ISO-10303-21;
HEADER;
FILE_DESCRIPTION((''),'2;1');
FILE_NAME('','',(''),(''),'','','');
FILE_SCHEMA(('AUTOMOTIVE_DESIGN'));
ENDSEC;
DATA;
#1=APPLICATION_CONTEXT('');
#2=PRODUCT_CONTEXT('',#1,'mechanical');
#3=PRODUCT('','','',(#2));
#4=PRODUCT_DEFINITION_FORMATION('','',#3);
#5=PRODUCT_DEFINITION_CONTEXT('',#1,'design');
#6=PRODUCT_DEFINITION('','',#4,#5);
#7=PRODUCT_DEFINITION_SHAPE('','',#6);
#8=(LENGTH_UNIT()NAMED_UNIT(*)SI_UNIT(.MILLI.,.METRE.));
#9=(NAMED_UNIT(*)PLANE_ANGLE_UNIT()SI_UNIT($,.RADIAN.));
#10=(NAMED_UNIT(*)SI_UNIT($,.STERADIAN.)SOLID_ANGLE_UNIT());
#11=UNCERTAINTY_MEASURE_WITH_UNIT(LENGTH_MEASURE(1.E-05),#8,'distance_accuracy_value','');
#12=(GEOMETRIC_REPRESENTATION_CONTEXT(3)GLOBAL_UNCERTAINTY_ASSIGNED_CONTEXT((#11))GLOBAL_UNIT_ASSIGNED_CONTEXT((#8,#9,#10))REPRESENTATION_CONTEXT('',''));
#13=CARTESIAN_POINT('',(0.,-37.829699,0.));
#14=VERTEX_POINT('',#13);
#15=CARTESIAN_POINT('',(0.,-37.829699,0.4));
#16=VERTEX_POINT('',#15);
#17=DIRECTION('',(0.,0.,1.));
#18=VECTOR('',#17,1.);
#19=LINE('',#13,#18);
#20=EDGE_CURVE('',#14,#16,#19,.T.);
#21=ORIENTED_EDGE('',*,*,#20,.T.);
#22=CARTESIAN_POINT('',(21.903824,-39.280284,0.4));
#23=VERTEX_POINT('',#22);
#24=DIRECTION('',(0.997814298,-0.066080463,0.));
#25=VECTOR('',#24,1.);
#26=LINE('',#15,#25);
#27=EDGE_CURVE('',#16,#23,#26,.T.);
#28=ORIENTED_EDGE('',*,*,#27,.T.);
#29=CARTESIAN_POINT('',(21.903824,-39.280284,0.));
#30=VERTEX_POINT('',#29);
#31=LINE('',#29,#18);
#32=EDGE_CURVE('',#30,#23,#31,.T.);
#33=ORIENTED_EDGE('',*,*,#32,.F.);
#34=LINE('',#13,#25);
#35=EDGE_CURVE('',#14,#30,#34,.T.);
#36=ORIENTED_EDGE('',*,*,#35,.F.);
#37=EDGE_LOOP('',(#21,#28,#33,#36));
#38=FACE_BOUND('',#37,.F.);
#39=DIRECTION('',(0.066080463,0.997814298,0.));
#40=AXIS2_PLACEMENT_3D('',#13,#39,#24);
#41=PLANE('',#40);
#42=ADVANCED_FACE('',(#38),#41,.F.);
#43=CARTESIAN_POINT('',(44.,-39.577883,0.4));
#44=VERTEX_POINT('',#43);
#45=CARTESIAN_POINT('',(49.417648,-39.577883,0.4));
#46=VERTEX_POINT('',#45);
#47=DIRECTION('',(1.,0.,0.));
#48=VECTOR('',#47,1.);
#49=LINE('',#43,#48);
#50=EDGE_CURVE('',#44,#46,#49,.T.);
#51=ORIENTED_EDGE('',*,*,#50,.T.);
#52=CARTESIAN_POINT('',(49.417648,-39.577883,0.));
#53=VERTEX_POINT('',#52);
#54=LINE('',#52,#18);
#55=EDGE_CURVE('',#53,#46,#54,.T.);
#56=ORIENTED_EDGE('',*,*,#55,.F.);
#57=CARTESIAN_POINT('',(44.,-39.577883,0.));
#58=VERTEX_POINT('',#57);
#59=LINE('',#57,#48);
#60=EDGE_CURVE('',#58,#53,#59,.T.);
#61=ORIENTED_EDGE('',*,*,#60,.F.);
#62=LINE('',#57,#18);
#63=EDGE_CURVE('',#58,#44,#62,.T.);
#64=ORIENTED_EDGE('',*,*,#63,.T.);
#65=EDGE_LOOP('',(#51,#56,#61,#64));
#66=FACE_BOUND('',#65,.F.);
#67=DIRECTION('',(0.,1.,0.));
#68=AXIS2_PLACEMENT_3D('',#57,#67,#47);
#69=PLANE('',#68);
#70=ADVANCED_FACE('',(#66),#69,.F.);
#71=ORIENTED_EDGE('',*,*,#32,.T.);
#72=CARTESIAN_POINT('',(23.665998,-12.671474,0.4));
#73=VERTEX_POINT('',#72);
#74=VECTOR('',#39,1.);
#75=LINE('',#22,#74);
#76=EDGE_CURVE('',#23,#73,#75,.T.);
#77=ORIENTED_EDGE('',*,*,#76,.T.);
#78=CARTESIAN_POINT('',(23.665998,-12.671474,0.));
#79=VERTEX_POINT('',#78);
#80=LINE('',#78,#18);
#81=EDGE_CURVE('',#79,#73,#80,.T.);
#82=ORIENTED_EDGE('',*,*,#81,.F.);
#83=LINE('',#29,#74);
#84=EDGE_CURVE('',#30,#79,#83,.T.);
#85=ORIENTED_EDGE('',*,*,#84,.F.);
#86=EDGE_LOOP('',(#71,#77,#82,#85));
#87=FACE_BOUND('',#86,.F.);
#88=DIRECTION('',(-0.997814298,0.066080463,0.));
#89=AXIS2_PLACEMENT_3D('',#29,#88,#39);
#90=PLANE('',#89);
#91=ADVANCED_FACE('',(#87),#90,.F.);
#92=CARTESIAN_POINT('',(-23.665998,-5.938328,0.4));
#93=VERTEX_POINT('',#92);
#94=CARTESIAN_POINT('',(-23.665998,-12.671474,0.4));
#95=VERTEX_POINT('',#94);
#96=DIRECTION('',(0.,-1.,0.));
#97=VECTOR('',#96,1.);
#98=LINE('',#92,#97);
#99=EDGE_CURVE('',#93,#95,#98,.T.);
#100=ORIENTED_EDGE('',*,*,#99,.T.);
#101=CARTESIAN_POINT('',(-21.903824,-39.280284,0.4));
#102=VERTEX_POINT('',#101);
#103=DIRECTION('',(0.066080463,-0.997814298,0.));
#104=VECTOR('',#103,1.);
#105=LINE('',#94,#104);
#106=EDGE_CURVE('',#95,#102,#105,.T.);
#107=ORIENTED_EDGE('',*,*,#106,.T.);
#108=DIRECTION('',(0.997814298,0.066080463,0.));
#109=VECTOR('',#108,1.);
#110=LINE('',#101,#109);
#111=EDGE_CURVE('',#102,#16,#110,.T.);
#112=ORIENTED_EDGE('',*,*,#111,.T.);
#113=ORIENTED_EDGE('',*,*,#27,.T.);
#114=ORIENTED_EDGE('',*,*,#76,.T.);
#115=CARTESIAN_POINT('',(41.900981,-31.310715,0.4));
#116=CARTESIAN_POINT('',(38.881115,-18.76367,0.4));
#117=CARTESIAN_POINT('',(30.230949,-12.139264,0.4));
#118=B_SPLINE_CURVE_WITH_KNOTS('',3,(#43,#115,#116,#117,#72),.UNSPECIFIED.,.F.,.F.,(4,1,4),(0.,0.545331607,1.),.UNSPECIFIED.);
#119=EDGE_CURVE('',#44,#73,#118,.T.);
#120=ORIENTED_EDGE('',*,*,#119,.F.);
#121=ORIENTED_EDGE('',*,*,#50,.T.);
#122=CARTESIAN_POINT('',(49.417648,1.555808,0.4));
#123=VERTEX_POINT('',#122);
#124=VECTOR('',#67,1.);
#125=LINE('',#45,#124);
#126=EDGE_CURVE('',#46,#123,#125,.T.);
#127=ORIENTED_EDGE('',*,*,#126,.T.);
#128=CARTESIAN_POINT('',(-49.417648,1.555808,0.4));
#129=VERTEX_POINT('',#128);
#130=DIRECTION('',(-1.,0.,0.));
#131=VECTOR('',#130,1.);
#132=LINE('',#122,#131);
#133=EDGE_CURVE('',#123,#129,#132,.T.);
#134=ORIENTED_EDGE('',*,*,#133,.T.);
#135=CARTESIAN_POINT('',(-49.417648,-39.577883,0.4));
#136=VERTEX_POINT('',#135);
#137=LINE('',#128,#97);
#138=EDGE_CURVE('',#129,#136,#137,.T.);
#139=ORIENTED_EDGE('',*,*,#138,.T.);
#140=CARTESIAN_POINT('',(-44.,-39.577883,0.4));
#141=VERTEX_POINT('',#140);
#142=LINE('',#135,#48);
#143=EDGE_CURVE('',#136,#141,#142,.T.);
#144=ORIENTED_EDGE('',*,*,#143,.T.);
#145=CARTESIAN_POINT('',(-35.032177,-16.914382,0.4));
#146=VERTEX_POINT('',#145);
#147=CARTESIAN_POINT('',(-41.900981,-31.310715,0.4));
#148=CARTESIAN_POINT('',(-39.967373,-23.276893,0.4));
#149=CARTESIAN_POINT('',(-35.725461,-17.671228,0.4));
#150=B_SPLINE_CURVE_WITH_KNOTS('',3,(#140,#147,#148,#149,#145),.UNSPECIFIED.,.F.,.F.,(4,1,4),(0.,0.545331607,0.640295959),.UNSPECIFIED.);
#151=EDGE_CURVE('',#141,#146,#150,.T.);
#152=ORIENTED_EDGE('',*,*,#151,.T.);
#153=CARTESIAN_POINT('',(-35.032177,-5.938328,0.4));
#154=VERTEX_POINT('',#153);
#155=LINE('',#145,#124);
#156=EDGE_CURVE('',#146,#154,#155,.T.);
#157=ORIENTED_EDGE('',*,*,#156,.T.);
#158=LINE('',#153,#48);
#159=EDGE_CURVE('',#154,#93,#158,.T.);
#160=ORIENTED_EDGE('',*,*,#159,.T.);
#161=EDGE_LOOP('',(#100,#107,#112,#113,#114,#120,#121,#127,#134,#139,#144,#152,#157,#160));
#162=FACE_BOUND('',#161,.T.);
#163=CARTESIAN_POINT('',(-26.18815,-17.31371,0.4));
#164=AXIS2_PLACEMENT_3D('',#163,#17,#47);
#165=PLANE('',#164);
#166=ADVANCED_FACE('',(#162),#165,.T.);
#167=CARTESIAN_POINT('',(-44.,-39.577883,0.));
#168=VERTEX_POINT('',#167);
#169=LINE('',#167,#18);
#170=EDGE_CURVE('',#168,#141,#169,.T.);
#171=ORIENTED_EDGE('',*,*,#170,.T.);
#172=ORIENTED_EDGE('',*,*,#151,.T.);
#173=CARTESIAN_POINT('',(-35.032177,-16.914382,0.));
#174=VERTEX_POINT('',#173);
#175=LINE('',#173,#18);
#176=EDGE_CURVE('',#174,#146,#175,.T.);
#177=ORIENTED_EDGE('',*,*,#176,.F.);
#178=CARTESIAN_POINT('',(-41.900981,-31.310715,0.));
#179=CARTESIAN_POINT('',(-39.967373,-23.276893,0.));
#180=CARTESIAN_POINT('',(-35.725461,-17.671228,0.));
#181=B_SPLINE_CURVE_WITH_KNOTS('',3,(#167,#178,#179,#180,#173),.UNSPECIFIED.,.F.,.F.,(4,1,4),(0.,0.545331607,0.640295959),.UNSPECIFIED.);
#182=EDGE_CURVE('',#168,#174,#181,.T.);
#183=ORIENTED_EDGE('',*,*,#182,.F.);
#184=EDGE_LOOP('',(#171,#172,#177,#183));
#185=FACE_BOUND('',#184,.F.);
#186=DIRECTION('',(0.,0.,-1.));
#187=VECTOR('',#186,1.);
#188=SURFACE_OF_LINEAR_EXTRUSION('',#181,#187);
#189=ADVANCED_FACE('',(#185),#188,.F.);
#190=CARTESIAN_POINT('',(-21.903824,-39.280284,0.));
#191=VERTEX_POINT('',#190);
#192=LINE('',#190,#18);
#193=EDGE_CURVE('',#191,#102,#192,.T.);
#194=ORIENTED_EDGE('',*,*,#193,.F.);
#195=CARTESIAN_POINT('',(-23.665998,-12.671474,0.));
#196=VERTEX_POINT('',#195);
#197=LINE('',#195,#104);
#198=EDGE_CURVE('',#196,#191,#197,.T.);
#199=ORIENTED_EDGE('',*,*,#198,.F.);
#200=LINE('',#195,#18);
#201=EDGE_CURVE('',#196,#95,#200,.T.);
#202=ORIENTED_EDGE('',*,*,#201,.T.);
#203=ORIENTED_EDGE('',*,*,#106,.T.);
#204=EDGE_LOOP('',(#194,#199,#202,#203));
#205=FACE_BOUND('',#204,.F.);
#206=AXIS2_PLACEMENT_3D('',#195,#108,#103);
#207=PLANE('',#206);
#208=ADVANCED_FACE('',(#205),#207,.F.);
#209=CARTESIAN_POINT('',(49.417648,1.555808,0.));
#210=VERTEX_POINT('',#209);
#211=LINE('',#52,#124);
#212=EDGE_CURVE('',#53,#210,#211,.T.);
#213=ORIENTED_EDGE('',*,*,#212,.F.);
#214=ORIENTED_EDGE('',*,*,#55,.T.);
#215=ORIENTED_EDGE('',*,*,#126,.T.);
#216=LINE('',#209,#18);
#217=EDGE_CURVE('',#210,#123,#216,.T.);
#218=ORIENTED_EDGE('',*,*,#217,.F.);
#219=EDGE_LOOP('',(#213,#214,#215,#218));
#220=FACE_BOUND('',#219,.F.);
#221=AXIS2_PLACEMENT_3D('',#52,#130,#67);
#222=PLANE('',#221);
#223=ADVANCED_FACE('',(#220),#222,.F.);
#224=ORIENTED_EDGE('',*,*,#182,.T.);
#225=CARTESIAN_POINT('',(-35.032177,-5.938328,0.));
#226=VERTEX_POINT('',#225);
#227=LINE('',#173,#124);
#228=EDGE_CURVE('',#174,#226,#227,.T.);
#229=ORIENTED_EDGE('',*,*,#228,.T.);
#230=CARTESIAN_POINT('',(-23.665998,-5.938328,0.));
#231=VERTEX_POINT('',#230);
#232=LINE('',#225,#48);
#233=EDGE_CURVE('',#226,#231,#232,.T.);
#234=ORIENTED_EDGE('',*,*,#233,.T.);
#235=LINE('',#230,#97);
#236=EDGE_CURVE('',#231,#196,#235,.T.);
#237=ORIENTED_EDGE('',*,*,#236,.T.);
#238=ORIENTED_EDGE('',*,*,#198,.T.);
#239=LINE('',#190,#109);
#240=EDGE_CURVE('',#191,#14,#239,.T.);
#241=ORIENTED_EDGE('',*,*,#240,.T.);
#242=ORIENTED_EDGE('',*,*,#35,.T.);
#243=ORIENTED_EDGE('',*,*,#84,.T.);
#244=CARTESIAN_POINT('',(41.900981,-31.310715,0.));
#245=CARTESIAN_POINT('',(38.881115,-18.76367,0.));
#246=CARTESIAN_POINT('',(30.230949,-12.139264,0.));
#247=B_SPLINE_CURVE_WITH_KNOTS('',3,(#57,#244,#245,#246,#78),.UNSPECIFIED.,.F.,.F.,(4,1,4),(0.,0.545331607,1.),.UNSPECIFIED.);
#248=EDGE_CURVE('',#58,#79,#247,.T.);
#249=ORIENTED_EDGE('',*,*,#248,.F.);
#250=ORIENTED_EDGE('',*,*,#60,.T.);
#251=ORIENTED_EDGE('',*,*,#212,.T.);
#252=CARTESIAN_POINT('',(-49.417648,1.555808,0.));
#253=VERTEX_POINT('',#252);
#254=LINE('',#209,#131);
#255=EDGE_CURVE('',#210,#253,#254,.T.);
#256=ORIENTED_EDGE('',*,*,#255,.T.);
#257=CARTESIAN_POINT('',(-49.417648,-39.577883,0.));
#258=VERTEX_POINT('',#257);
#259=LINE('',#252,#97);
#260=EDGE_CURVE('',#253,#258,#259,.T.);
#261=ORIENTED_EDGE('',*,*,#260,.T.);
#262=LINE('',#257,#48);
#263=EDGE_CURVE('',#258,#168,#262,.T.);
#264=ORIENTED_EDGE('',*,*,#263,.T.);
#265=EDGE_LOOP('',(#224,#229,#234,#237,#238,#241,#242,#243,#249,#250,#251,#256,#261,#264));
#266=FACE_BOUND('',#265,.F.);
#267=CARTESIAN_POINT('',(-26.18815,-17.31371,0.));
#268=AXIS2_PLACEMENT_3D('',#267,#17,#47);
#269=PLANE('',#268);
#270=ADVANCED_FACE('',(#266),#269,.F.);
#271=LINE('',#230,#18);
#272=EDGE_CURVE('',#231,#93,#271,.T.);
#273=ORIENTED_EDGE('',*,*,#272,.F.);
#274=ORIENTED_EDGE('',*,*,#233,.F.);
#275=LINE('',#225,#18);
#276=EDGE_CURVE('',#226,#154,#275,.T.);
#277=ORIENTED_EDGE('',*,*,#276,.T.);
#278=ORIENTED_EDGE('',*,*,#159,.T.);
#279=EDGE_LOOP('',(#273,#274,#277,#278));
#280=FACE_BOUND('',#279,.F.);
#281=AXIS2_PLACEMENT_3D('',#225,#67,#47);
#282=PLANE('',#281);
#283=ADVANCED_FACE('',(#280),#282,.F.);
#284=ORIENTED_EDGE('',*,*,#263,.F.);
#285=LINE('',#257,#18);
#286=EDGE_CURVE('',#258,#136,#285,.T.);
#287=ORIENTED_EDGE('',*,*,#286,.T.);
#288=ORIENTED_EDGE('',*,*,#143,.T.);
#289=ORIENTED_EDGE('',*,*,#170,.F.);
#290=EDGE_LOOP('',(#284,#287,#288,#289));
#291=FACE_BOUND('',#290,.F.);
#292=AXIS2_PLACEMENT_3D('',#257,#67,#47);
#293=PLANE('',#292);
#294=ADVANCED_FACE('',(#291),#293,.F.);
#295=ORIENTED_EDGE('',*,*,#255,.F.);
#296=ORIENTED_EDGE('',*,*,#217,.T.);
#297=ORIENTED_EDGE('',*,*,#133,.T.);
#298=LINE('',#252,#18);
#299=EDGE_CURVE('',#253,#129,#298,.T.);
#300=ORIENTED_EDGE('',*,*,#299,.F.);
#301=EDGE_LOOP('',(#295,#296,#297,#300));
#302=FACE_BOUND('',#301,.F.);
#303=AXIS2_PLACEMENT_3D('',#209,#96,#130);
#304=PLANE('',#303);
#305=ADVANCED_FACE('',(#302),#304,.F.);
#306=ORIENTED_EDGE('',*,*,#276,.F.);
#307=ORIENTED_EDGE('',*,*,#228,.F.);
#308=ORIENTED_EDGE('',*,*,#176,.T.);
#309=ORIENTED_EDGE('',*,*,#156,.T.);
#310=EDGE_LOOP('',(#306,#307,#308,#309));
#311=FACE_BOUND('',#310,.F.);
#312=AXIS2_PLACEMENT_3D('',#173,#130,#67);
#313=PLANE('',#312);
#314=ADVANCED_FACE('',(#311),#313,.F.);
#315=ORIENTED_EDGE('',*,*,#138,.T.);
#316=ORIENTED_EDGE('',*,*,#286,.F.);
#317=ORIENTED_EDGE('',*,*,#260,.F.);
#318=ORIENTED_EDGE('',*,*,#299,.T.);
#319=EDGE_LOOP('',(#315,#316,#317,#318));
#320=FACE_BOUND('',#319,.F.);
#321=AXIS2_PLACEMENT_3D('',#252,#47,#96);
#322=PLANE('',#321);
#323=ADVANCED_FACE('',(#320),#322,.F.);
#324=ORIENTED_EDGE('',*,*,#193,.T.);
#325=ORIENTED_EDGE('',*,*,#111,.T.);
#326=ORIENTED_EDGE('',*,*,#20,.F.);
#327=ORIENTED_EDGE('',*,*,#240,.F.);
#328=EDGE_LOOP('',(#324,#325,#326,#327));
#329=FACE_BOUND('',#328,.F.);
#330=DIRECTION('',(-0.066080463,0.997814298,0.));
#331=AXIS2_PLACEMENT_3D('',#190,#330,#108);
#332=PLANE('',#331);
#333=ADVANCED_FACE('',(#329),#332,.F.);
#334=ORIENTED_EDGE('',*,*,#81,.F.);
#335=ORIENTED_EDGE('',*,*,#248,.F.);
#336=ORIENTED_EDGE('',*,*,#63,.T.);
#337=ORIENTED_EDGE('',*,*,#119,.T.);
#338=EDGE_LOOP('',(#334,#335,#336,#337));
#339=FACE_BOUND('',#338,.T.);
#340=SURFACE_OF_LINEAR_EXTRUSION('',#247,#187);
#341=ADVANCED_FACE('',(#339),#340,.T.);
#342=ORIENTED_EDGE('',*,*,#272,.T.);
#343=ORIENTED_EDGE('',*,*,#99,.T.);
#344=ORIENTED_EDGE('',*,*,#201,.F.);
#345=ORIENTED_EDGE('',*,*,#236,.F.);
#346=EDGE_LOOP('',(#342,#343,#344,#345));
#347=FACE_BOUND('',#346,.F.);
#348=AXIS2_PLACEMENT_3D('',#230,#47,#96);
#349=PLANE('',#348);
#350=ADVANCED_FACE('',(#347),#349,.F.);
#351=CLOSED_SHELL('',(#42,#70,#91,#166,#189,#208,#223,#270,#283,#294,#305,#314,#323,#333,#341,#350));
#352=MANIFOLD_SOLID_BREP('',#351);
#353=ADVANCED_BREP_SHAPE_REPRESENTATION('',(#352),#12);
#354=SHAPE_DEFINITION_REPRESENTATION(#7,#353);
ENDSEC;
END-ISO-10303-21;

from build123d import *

# Parameters (mm, degrees)
F1_DEPTH = 0.4


with BuildPart() as f1:
    # F0 (on Top) → F1 (new body)
    with BuildSketch(Plane.XY):
        with BuildLine():
            Line((-21.9038240612, -39.2802841961), (0, -37.8296988058))
            Line((0, -37.8296988058), (0, 1.5558084287))
            Line((0, 1.5558084287), (-49.4176484644, 1.5558084287))
            Line((-49.4176484644, 1.5558084287), (-49.4176484644, -39.5778827369))
            Line((-49.4176484644, -39.5778827369), (-44, -39.5778827369))
            add(Edge.make_bspline(
                [(-44, -39.5778827369), (-41.9009812176, -31.3107147813), (-39.967373394, -23.2768925028), (-35.7254609829, -17.6712276554), (-35.032177344, -16.9143821545)],
                knots=[0, 0, 0, 0, 0.545331607, 0.6402959588, 0.6402959588, 0.6402959588, 0.6402959588], degree=3))
            Line((-35.032177344, -16.9143821545), (-35.032177344, -5.9383278713))
            Line((-35.032177344, -5.9383278713), (-23.665998131, -5.9383278713))
            Line((-23.665998131, -5.9383278713), (-23.665998131, -12.6714743674))
            Line((-23.665998131, -12.6714743674), (-21.9038240612, -39.2802841961))
        make_face()
        with BuildLine():
            Line((21.9038240612, -39.2802841961), (23.665998131, -12.6714743674))
            add(Edge.make_bspline(
                [(44, -39.5778827369), (41.9009812176, -31.3107147813), (38.8811154869, -18.7636696725), (30.2309490173, -12.1392643454), (23.665998131, -12.6714743674)],
                knots=[0, 0, 0, 0, 0.545331607, 1, 1, 1, 1], degree=3))
            Line((44, -39.5778827369), (49.4176484644, -39.5778827369))
            Line((49.4176484644, -39.5778827369), (49.4176484644, 1.5558084287))
            Line((49.4176484644, 1.5558084287), (0, 1.5558084287))
            Line((0, 1.5558084287), (0, -37.8296988058))
            Line((0, -37.8296988058), (21.9038240612, -39.2802841961))
        make_face()
    extrude(amount=F1_DEPTH)


solid = f1.part
